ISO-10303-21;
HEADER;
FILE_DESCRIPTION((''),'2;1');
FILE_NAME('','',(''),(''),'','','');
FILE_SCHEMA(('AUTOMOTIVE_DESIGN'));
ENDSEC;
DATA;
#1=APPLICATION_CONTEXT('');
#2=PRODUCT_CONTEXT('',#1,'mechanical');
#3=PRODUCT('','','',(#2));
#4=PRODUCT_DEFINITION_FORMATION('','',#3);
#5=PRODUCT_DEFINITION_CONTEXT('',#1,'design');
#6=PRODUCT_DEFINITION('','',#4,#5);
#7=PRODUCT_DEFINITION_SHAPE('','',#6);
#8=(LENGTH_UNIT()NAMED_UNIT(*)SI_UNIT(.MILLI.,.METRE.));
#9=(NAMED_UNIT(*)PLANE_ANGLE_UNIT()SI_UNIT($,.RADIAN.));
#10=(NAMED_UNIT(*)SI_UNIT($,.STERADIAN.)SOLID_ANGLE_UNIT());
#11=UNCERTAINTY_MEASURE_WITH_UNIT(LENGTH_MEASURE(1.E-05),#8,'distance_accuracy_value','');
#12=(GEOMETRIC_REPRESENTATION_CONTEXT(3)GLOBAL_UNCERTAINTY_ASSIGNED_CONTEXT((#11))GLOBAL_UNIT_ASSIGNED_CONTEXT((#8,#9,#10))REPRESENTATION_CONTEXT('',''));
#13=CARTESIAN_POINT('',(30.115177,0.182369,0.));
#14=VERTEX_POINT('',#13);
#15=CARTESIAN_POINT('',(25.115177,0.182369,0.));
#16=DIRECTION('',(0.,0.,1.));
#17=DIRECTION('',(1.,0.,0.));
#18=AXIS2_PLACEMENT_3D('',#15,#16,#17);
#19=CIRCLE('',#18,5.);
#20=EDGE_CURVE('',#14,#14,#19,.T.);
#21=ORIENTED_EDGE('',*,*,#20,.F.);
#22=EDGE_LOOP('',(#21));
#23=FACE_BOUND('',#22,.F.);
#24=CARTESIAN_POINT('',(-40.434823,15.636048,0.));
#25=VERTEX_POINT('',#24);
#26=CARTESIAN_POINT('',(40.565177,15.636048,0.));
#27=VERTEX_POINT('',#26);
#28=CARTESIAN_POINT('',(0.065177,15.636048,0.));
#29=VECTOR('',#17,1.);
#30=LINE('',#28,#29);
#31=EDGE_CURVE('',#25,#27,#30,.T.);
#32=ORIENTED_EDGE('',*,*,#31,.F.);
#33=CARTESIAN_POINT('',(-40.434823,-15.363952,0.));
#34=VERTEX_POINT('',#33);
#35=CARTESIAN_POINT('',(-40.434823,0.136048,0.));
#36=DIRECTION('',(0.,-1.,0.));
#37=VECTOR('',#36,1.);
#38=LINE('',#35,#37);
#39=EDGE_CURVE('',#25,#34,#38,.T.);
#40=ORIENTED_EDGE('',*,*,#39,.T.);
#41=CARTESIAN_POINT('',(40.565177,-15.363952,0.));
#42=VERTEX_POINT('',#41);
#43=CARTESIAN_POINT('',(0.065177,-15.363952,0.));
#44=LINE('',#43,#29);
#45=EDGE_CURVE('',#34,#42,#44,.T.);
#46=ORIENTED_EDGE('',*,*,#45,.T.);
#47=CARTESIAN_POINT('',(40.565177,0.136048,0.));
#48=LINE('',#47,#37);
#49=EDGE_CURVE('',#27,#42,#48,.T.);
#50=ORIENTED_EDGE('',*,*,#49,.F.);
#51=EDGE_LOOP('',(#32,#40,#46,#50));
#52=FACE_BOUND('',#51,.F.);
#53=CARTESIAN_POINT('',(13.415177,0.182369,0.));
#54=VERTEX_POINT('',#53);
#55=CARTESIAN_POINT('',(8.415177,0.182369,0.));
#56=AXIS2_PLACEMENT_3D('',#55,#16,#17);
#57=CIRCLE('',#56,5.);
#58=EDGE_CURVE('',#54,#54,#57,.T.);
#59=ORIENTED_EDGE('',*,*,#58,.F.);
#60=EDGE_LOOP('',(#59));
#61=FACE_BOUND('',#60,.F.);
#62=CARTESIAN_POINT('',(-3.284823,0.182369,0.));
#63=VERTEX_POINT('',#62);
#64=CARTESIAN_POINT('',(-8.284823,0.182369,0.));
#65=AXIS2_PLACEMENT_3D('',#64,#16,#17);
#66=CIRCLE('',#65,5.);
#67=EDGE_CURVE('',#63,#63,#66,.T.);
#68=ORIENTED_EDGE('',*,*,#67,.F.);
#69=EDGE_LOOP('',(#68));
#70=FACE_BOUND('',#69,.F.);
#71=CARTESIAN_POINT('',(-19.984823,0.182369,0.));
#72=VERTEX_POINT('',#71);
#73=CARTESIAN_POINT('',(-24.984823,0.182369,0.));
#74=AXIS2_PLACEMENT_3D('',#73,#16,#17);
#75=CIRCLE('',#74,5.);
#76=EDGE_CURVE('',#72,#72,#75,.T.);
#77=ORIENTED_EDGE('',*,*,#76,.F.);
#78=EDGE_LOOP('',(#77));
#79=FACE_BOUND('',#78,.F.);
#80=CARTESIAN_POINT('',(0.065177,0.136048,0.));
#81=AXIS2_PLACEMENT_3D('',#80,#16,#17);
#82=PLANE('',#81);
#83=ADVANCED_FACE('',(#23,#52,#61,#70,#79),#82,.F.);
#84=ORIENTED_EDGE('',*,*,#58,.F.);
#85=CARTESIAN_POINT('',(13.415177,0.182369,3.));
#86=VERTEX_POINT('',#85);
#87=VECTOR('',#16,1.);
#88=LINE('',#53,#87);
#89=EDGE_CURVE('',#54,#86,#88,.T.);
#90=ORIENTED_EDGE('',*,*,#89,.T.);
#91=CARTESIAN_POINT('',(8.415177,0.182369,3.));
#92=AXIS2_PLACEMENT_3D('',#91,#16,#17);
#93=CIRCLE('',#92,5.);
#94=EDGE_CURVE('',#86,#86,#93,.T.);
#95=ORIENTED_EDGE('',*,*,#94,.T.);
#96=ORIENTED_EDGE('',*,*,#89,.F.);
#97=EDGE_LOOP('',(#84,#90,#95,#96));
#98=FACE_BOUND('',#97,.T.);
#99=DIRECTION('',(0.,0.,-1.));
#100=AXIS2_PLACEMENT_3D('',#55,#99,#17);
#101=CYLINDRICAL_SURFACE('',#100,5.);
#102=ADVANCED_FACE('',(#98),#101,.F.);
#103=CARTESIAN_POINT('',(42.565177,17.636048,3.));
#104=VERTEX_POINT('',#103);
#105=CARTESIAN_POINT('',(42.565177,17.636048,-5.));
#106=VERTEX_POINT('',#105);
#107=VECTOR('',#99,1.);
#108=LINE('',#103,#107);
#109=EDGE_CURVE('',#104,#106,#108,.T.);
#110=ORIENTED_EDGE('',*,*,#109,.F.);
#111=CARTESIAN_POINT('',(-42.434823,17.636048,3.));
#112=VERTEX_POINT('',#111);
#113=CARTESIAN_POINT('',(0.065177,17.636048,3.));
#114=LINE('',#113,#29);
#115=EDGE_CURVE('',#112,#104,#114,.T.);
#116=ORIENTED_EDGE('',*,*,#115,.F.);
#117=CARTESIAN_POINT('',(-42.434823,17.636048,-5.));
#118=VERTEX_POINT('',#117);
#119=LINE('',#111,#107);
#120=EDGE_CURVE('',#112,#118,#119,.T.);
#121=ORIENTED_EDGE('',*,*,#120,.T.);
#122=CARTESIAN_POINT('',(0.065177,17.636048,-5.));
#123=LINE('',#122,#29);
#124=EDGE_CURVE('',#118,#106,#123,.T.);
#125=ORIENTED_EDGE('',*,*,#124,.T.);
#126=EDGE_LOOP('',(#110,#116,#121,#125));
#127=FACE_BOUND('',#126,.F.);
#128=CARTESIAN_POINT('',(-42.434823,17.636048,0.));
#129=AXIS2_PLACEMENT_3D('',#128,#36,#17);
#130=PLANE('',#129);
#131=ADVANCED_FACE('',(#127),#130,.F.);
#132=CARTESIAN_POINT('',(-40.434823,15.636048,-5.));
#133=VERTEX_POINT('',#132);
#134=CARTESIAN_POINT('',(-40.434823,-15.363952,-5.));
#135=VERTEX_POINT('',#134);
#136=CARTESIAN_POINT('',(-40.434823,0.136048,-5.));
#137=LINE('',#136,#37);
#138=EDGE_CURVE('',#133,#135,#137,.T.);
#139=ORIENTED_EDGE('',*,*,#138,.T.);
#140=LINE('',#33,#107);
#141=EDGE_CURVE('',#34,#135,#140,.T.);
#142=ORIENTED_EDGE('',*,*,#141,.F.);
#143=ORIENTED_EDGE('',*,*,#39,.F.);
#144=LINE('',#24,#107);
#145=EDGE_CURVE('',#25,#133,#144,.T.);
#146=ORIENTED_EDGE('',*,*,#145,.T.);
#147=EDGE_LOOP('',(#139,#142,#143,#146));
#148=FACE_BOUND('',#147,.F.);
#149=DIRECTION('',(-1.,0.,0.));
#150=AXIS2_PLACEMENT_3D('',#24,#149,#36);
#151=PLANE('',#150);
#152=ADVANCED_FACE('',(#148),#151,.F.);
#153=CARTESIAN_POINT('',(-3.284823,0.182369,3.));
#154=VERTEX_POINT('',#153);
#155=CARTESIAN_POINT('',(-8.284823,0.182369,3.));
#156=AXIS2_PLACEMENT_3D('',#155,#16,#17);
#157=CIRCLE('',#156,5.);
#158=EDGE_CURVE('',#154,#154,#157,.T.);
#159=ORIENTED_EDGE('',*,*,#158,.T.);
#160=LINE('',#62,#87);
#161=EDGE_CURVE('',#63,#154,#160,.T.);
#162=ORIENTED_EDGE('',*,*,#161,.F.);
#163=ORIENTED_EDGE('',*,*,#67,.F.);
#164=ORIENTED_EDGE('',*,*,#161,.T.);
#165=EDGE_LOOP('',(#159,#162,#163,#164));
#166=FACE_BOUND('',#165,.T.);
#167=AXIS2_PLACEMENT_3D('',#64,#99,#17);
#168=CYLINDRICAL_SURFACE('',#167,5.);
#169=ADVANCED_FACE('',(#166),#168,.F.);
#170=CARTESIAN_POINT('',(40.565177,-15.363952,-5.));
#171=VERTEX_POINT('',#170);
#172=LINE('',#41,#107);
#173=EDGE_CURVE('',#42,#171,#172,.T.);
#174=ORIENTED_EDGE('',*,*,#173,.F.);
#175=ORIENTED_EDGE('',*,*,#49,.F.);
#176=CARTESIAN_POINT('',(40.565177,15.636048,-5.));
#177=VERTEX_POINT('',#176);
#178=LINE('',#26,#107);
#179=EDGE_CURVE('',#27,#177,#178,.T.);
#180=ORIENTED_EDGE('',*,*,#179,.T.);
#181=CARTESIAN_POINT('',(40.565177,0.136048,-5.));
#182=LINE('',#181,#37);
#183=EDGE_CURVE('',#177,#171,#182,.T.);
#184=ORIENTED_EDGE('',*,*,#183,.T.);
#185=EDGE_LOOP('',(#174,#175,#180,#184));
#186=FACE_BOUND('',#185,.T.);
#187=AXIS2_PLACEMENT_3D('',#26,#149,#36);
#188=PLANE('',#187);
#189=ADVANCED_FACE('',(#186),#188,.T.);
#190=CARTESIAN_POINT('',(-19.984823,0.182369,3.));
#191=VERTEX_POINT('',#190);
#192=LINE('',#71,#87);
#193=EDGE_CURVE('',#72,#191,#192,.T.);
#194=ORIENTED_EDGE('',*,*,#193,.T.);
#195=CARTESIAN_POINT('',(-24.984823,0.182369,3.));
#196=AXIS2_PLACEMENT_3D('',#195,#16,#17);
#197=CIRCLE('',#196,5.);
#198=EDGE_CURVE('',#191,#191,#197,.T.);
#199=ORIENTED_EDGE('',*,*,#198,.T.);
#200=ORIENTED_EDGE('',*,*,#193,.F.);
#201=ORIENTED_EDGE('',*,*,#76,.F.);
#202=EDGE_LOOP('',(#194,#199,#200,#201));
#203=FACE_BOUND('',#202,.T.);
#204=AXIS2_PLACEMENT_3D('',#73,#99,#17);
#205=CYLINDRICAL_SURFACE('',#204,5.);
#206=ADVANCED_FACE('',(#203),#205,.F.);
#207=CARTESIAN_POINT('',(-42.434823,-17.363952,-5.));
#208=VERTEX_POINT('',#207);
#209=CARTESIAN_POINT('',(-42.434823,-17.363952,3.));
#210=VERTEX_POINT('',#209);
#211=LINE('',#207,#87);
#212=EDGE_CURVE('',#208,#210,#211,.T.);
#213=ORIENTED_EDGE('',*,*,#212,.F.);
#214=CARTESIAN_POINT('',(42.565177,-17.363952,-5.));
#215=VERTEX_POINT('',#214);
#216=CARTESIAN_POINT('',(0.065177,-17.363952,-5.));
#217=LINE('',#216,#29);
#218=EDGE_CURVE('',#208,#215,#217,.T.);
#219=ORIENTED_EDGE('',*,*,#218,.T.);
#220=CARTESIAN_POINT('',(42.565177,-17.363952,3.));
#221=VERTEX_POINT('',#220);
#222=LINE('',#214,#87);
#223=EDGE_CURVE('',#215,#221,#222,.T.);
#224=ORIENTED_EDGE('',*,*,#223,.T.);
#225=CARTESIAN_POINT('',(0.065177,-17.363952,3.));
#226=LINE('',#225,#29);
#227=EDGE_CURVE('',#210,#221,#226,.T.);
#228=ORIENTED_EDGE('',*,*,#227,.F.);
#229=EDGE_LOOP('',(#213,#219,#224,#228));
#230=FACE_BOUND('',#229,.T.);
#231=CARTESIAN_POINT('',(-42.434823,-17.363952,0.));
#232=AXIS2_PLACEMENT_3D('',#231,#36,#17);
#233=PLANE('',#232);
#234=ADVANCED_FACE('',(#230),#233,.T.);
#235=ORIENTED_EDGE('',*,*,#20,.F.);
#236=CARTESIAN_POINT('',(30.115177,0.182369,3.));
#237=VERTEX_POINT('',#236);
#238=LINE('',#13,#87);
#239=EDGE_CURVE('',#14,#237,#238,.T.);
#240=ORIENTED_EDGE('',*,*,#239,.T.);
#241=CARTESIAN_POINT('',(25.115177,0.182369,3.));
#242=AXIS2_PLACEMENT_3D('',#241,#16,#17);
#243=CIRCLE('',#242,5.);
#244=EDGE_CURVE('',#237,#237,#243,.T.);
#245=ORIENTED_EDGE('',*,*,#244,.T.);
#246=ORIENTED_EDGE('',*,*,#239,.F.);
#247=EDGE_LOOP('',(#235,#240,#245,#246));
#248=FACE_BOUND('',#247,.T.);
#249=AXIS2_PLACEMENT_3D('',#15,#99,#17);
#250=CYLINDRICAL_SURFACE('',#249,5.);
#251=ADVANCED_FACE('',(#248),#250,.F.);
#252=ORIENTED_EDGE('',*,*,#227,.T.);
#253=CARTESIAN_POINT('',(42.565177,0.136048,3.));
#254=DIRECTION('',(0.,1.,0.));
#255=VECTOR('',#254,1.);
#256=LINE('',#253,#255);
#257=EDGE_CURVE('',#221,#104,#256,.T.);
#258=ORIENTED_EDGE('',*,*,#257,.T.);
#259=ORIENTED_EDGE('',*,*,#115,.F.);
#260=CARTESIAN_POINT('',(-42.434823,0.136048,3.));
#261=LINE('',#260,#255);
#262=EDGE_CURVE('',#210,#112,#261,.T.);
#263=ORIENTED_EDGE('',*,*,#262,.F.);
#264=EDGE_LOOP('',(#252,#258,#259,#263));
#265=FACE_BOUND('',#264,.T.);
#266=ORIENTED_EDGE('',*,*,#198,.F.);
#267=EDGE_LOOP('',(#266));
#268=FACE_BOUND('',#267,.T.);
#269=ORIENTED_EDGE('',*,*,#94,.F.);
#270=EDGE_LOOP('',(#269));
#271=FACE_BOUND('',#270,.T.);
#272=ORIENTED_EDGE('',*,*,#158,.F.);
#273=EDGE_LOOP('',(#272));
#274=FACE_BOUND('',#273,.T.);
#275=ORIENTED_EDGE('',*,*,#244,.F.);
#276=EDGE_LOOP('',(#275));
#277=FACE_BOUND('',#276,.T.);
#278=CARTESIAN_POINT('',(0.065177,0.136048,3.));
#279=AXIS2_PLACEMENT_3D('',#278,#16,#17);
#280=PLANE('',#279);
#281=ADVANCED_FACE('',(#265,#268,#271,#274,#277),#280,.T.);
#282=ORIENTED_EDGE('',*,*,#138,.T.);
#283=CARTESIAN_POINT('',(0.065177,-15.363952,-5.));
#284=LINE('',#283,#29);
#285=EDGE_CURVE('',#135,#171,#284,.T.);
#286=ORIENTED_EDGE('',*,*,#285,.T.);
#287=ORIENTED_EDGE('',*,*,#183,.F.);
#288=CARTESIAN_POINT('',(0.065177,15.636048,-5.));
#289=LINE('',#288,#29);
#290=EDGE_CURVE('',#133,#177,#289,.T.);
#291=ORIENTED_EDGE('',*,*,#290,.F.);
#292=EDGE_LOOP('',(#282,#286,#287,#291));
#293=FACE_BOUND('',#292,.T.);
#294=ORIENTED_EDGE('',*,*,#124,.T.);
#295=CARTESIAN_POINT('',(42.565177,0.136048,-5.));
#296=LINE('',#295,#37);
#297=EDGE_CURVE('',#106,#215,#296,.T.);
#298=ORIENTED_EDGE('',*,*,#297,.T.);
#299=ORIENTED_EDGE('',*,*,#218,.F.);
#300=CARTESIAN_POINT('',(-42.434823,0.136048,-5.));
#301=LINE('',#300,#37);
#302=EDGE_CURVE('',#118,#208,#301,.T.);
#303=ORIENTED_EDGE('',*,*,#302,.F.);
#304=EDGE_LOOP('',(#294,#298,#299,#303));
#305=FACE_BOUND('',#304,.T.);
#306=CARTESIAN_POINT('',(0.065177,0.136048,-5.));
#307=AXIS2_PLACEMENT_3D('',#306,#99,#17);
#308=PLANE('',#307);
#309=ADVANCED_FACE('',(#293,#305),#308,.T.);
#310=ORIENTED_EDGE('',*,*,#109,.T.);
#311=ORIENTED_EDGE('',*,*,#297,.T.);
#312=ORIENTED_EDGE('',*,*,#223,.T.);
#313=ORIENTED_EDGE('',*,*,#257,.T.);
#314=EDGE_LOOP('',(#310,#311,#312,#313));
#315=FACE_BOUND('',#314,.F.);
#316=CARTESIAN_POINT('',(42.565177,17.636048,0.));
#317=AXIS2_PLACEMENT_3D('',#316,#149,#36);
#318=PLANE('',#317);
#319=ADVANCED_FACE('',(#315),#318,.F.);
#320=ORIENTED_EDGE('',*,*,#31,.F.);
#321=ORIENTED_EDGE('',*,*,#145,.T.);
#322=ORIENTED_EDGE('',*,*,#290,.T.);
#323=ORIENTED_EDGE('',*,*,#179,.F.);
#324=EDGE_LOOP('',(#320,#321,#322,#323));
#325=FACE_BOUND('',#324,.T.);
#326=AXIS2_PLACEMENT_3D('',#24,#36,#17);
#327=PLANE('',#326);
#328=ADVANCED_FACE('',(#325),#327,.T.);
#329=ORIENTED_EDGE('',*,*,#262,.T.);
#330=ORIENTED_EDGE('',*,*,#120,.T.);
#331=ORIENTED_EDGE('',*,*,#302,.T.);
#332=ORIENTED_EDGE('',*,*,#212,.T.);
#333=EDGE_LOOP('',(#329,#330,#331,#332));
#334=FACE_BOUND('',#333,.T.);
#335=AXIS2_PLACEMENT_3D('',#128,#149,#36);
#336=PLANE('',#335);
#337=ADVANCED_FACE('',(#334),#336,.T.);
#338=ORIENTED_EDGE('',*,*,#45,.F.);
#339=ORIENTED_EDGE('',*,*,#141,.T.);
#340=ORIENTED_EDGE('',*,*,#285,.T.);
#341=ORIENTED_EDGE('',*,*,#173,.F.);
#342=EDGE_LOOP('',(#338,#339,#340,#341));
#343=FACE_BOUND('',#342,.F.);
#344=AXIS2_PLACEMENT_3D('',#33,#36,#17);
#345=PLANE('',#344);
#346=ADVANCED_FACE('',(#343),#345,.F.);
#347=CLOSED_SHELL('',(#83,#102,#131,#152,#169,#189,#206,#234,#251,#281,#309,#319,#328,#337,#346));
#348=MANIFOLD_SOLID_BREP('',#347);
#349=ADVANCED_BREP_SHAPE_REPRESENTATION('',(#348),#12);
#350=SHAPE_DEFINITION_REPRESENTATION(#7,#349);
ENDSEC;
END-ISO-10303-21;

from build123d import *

# Parameters (mm, degrees)
F0_W     = 75
F0_H     = 25
F0_R     = 5
F1_DEPTH = 3
F0_W_2   = 85
F0_H_2   = 35
F2_DEPTH = 3
F3_W     = 85
F3_H     = 35
F3_W_2   = 81
F3_H_2   = 31
F4_DEPTH = 5


with BuildPart() as f1:
    # F0 (on Top) → F1 (new body)
    with BuildSketch(Plane.XY):
        with Locations((0.065177, 0.136048)):
            Rectangle(F0_W, F0_H)
        with Locations((-24.984823, 0.182369)):
            Circle(F0_R, mode=Mode.SUBTRACT)
        with Locations((-8.284823, 0.182369)):
            Circle(F0_R, mode=Mode.SUBTRACT)
        with Locations((8.415177, 0.182369)):
            Circle(F0_R, mode=Mode.SUBTRACT)
        with Locations((25.115177, 0.182369)):
            Circle(F0_R, mode=Mode.SUBTRACT)
    extrude(amount=F1_DEPTH)

    # F0 (on Top) → F2 (join)
    with BuildSketch(Plane.XY):
        with Locations((0.065177, 0.136048)):
            Rectangle(F0_W_2, F0_H_2)
        with Locations((0.065177, 0.136048)):
            Rectangle(F0_W, F0_H, mode=Mode.SUBTRACT)
    extrude(amount=F2_DEPTH)

    # F3 (on face) → F4 (join)
    with BuildSketch(Plane(origin=(0, 0, 0), x_dir=(1, 0, 0), z_dir=(0, 0, -1))):
        with Locations((0.065177, -0.136048)):
            Rectangle(F3_W, F3_H)
        with Locations((0.065177, -0.136048)):
            Rectangle(F3_W_2, F3_H_2, mode=Mode.SUBTRACT)
    extrude(amount=F4_DEPTH)


solid = f1.part
